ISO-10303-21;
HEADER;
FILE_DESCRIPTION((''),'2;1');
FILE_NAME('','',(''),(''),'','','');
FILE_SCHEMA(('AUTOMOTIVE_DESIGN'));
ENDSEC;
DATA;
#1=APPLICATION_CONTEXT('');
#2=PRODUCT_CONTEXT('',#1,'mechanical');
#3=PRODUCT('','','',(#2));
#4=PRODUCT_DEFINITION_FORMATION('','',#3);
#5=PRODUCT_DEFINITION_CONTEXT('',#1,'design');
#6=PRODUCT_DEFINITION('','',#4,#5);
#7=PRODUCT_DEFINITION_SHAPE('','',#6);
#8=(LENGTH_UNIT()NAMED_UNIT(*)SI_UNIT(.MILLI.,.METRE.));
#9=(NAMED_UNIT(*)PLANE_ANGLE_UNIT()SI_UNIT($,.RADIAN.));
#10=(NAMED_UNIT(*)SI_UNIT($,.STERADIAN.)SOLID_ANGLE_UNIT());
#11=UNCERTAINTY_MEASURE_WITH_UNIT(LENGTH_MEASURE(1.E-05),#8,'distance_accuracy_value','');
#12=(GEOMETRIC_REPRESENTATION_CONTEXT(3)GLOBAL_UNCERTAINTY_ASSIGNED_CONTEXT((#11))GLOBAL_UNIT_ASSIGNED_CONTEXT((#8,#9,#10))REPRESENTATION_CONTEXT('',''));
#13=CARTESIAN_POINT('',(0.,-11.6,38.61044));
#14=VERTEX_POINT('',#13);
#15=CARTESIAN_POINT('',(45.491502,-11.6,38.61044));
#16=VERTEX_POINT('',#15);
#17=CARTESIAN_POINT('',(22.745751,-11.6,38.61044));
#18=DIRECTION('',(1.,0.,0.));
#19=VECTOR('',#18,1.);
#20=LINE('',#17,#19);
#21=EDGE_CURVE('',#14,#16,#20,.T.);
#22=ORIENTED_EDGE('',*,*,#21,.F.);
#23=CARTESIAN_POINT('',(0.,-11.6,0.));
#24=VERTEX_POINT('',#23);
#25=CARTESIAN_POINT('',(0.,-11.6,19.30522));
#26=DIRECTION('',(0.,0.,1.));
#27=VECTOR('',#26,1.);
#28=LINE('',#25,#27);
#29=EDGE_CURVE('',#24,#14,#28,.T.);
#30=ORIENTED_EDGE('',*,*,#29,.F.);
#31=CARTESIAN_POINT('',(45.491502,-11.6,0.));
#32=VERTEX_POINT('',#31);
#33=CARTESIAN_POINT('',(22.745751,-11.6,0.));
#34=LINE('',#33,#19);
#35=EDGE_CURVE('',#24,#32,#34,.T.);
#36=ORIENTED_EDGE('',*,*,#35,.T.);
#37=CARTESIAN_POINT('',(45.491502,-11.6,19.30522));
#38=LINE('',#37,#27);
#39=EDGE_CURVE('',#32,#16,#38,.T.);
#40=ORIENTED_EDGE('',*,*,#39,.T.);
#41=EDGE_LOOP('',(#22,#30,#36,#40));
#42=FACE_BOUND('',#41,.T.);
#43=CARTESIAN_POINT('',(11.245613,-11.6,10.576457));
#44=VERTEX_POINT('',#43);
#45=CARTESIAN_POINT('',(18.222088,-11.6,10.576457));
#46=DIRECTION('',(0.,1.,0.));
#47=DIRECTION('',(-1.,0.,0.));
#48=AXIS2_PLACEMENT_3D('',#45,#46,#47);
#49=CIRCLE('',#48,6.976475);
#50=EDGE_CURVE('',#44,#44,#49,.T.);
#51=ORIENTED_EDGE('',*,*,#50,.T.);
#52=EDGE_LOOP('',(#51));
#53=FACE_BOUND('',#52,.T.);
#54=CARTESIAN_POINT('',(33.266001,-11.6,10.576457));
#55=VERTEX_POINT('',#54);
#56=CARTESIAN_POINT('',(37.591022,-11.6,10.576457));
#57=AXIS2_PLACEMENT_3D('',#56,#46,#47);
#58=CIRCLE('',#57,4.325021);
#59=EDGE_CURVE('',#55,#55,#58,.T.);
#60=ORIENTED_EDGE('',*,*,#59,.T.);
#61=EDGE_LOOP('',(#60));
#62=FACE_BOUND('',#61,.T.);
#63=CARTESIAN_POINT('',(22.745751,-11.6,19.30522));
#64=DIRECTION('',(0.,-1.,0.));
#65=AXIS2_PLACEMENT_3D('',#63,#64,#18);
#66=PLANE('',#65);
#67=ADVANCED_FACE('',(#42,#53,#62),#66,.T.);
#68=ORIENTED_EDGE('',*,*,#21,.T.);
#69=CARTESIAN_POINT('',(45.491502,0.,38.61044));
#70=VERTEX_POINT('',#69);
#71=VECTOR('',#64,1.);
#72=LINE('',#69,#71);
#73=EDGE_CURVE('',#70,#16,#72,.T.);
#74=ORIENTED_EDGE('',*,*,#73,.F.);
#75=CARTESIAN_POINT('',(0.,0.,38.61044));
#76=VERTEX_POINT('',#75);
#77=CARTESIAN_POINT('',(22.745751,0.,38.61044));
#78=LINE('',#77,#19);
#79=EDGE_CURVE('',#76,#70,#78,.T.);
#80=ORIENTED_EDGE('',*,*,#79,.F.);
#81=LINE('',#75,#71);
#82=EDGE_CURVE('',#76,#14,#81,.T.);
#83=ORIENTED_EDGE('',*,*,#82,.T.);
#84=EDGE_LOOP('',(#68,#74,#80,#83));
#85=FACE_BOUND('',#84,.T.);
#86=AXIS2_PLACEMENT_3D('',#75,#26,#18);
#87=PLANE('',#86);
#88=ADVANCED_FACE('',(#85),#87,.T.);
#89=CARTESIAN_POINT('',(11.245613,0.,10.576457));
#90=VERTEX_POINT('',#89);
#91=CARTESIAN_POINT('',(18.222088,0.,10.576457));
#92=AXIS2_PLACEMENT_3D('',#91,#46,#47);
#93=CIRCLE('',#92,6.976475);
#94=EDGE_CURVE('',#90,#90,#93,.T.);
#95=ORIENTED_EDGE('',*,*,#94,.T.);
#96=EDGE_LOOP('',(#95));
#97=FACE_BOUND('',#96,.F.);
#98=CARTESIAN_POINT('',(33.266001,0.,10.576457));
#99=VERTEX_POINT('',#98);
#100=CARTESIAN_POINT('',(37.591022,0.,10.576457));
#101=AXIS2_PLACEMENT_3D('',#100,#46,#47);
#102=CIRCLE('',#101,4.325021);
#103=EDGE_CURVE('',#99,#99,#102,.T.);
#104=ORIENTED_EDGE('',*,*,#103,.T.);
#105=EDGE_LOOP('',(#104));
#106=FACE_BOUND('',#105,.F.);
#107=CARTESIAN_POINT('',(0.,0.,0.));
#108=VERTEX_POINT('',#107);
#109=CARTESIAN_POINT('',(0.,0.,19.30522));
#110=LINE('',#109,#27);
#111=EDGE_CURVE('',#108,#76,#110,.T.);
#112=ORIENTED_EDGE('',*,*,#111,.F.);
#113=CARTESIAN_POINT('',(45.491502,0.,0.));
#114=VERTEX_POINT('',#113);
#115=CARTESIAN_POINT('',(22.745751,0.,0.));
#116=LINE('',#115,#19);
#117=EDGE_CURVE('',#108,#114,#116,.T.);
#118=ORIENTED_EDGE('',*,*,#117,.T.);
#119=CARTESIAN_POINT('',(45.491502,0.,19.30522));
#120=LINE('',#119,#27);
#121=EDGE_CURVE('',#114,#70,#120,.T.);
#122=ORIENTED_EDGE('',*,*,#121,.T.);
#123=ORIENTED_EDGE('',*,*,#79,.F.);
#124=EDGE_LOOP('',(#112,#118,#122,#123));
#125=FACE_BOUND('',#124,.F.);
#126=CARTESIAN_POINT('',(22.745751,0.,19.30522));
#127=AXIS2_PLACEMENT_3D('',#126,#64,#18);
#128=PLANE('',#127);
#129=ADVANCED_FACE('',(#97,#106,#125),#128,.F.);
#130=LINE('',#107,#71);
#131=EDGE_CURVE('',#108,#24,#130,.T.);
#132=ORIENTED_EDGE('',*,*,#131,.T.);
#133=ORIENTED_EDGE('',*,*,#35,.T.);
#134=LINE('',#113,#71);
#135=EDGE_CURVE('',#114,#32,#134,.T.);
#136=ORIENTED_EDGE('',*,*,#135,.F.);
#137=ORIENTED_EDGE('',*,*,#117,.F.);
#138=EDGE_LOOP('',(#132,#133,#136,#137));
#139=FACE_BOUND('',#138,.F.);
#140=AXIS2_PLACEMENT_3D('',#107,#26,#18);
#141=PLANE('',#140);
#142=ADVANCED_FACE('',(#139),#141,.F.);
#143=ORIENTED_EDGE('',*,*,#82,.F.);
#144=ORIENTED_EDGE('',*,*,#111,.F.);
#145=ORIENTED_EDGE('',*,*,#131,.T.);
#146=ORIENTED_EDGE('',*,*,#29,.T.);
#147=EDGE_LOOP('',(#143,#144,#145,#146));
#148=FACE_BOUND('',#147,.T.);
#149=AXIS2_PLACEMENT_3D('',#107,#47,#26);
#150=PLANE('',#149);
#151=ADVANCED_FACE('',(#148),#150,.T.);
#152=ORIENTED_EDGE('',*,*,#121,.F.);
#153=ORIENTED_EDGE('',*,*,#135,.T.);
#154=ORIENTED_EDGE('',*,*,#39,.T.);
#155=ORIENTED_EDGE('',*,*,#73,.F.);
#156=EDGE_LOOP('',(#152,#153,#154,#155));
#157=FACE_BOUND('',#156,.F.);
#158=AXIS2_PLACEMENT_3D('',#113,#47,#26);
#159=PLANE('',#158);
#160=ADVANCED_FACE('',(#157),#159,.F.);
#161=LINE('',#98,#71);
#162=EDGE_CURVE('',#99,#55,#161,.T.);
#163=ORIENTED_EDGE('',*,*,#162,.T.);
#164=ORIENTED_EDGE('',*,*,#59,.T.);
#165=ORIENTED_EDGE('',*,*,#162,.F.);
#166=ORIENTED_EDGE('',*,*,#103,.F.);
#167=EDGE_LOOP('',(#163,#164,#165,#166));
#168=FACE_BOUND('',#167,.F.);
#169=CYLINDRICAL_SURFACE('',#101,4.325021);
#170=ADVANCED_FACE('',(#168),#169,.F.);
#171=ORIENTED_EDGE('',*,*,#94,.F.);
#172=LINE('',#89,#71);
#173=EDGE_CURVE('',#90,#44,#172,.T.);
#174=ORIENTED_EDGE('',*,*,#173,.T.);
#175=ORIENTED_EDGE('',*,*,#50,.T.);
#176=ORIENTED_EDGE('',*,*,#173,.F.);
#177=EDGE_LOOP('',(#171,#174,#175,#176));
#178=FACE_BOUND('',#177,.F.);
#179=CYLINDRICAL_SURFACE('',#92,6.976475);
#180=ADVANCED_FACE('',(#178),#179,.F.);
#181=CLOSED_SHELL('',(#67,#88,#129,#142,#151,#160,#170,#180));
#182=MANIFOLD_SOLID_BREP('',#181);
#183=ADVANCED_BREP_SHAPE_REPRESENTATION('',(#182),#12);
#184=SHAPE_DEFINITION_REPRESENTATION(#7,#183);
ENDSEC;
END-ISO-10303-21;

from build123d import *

# Parameters (mm, degrees)
F0_W     = 45.491502
F0_H     = 38.61044
F1_DEPTH = 11.6
F2_R     = 6.976475
F2_R_2   = 4.325021
F3_DEPTH = 25


with BuildPart() as f1:
    # F0 (on Front) → F1 (new body)
    with BuildSketch(Plane.XZ):
        with Locations((22.745751, 19.30522)):
            Rectangle(F0_W, F0_H)
    extrude(amount=F1_DEPTH)

    # F2 (on face) → F3 (cut)
    with BuildSketch(Plane(origin=(0, 0, 0), x_dir=(-1, 0, 0), z_dir=(0, 1, 0))):
        with Locations((-18.222088, 10.576457)):
            Circle(F2_R)
        with Locations((-37.591022, 10.576457)):
            Circle(F2_R_2)
    extrude(amount=-F3_DEPTH, mode=Mode.SUBTRACT)


solid = f1.part
